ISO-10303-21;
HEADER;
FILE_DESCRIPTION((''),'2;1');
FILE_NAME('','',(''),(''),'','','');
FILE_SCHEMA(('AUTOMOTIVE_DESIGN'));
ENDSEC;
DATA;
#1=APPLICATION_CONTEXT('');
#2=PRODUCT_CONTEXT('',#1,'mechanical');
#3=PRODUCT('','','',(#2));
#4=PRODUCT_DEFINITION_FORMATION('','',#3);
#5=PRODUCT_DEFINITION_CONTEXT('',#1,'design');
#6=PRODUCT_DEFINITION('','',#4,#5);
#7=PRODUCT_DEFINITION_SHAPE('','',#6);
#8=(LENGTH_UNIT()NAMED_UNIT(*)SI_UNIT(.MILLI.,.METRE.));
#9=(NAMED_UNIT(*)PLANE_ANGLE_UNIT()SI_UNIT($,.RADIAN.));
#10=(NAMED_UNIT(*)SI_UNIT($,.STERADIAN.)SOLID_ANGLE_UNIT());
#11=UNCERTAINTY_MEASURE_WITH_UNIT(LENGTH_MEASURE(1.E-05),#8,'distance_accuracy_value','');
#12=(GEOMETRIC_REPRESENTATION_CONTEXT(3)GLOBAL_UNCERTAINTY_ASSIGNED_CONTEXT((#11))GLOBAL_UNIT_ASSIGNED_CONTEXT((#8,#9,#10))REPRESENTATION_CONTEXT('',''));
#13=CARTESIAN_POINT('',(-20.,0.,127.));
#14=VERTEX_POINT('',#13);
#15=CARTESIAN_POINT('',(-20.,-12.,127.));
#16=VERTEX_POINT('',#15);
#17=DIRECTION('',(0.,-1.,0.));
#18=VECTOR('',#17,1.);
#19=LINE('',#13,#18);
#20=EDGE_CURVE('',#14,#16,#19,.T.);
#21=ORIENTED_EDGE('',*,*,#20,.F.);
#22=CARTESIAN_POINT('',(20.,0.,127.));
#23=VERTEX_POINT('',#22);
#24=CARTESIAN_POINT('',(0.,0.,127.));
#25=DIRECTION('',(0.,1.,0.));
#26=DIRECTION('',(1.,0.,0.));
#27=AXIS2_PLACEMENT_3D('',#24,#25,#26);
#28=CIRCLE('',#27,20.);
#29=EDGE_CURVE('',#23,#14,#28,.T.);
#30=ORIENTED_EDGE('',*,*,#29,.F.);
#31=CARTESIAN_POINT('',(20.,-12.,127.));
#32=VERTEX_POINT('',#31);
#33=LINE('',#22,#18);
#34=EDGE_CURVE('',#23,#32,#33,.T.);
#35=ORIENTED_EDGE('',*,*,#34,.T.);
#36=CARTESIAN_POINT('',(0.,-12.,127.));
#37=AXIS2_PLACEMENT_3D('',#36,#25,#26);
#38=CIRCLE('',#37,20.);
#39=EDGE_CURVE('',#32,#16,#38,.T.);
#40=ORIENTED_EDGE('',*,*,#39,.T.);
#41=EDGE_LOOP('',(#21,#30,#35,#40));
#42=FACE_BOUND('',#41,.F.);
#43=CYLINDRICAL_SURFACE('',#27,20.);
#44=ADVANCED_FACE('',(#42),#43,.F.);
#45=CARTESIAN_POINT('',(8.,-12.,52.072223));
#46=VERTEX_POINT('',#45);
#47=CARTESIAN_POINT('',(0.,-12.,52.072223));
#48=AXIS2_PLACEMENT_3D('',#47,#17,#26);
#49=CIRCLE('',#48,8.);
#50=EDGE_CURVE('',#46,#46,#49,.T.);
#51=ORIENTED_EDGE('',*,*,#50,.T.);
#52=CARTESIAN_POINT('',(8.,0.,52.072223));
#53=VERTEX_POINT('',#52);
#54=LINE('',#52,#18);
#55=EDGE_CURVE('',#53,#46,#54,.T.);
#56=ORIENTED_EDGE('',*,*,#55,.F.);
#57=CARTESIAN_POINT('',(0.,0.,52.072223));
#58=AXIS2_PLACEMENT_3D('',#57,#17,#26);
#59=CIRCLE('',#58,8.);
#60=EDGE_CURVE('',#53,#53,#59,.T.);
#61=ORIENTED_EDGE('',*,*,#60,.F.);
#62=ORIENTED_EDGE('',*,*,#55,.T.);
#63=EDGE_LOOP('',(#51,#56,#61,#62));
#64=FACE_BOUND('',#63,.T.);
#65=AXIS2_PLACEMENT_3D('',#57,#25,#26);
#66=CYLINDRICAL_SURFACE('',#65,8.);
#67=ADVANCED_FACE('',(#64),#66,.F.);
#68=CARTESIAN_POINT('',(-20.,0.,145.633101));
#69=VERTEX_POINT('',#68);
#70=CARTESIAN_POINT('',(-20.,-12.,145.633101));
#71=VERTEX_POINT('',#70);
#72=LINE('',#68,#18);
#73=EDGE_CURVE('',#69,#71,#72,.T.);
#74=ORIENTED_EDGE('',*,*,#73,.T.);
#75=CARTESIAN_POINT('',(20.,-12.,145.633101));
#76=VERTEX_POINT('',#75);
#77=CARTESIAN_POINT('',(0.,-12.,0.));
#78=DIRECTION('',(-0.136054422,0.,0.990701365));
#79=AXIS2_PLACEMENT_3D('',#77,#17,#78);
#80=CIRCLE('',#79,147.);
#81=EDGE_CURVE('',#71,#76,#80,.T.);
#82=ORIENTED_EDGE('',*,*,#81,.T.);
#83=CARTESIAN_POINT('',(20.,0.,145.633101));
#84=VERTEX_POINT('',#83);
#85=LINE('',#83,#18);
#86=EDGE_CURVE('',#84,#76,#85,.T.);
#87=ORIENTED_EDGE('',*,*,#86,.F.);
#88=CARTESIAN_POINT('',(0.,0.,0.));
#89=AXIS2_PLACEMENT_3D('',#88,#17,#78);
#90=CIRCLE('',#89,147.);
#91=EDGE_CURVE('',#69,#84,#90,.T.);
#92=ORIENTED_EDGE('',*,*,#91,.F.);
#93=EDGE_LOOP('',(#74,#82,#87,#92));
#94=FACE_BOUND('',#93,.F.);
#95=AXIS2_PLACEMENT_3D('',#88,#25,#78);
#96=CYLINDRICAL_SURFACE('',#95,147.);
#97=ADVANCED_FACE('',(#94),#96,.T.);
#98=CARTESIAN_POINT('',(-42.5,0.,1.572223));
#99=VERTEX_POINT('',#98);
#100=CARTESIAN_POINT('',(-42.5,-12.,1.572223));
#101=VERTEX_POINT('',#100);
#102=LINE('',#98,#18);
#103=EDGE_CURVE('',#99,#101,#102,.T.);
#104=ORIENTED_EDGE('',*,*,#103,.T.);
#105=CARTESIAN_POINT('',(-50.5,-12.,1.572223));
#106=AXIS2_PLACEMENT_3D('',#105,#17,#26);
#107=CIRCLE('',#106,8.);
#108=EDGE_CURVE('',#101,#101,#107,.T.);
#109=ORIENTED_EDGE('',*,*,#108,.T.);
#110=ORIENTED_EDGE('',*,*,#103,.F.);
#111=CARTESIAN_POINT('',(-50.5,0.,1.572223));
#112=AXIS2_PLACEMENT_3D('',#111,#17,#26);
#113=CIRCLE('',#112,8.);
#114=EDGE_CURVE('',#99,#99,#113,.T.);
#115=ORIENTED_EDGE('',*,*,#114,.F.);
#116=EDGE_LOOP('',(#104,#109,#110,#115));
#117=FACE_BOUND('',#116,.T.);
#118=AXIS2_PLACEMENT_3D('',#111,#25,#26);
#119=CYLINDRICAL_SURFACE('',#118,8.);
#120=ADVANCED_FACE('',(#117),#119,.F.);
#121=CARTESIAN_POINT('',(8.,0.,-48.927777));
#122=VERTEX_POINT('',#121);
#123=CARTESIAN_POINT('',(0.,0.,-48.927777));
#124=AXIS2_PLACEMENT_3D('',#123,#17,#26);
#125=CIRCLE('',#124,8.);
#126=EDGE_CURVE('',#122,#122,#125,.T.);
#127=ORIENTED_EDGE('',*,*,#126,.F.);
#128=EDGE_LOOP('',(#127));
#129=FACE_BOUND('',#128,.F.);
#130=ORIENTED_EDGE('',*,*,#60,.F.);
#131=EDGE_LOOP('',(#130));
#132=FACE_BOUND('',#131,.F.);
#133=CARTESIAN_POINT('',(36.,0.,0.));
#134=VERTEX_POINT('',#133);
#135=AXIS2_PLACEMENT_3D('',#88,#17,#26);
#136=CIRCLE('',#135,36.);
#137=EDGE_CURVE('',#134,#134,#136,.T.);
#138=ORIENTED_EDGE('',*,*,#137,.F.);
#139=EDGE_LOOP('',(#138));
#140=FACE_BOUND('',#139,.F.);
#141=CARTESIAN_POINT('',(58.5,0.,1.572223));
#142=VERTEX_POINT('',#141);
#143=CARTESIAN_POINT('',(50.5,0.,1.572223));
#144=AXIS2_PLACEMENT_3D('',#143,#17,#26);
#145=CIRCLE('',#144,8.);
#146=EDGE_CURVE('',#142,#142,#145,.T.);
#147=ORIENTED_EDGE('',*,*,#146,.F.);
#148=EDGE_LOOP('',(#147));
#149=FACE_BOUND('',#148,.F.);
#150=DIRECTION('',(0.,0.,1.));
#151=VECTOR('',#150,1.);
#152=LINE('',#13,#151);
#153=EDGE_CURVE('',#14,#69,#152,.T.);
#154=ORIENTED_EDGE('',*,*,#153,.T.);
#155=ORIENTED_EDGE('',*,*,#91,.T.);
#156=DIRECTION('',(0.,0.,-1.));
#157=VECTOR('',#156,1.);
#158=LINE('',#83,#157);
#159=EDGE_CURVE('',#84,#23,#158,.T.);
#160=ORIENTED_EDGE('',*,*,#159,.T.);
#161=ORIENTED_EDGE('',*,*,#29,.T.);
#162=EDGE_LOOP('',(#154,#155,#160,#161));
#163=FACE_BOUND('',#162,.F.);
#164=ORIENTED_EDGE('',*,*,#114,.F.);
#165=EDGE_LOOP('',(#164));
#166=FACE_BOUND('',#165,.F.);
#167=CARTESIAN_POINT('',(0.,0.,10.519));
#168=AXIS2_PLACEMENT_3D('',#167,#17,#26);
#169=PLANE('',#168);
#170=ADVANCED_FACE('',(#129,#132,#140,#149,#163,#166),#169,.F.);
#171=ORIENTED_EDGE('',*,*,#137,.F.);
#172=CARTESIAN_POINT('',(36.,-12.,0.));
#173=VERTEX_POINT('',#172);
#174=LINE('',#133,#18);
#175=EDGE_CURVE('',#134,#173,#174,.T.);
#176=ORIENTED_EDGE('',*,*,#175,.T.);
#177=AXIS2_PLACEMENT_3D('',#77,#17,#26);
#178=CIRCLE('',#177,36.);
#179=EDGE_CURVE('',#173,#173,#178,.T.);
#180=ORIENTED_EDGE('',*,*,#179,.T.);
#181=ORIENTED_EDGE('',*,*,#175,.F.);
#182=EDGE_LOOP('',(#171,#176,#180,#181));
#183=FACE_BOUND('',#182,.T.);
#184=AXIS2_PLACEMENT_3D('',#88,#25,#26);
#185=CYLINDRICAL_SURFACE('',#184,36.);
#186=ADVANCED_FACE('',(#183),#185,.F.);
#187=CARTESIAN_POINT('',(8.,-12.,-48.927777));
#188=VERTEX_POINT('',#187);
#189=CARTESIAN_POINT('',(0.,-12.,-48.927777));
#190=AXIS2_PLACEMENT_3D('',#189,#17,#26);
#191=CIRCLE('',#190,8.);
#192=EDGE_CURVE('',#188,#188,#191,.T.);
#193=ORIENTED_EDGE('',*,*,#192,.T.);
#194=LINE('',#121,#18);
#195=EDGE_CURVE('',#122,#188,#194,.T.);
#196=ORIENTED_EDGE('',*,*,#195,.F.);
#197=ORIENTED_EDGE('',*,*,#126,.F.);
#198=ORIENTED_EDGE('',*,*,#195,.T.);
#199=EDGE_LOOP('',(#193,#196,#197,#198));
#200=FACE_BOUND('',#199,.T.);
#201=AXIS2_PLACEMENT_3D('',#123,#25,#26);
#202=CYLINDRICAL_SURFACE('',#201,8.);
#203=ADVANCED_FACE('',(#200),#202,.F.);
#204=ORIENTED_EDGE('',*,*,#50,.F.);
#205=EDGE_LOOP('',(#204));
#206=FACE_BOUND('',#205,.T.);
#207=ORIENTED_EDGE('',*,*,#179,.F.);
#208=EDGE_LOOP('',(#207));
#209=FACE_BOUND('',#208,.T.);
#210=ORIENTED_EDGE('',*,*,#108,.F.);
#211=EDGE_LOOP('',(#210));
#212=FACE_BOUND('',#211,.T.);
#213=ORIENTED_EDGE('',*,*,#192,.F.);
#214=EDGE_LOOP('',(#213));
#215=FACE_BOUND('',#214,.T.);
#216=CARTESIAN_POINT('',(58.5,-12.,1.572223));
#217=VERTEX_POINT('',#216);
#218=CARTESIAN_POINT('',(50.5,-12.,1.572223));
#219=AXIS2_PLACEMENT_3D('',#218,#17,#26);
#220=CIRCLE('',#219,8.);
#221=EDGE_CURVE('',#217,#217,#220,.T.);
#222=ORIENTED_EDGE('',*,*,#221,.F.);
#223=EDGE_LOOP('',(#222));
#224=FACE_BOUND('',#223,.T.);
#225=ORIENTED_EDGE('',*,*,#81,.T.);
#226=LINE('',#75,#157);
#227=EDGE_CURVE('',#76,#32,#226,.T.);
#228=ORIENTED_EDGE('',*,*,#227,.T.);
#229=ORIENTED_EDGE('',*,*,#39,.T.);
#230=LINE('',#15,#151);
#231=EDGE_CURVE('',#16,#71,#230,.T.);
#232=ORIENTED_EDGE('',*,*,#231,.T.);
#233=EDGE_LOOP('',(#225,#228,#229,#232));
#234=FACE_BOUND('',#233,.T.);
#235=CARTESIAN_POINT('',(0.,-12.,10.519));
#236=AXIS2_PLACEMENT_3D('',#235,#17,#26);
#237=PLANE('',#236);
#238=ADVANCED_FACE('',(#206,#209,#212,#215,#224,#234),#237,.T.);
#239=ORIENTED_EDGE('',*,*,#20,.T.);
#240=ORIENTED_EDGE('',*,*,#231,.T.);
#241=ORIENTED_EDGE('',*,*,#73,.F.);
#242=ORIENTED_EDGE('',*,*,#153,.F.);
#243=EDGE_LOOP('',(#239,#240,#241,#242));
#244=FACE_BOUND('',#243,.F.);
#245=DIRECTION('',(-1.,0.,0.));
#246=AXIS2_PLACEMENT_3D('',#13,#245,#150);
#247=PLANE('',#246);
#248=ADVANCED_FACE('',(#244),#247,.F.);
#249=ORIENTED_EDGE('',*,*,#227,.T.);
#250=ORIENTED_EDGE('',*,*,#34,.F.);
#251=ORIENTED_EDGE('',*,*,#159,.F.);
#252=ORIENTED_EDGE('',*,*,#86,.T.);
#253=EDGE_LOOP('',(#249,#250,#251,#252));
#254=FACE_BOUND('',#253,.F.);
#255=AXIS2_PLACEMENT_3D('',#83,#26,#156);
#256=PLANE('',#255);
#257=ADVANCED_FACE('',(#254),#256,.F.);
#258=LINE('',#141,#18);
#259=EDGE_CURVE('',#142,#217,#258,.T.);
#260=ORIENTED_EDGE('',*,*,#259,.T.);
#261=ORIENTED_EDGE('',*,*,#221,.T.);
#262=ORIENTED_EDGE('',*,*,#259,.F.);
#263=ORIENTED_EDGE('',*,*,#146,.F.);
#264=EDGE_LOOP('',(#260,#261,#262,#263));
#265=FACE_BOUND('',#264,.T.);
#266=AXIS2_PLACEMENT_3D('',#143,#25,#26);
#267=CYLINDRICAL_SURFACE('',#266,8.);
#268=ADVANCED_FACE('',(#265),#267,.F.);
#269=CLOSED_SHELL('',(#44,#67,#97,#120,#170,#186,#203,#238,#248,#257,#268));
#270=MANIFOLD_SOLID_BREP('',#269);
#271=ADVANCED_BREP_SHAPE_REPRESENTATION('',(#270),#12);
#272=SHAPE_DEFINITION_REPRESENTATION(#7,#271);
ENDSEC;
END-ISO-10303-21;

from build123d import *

# Parameters (mm, degrees)
F0_R     = 8
F0_R_2   = 36
F1_DEPTH = 12


with BuildPart() as f1:
    # F0 (on Front) → F1 (new body)
    with BuildSketch(Plane.XZ):
        with BuildLine():
            Line((-20, 127), (-20, 145.633101))
            ThreePointArc((-20, 145.633101), (0, -147), (20, 145.633101))
            Line((20, 145.633101), (20, 127))
            ThreePointArc((20, 127), (0, 107), (-20, 127))
        make_face()
        with Locations((0, -48.927777)):
            Circle(F0_R, mode=Mode.SUBTRACT)
        with Locations((-50.5, 1.572223)):
            Circle(F0_R, mode=Mode.SUBTRACT)
        Circle(F0_R_2, mode=Mode.SUBTRACT)
        with Locations((50.5, 1.572223)):
            Circle(F0_R, mode=Mode.SUBTRACT)
        with Locations((0, 52.072223)):
            Circle(F0_R, mode=Mode.SUBTRACT)
    extrude(amount=F1_DEPTH)


solid = f1.part
